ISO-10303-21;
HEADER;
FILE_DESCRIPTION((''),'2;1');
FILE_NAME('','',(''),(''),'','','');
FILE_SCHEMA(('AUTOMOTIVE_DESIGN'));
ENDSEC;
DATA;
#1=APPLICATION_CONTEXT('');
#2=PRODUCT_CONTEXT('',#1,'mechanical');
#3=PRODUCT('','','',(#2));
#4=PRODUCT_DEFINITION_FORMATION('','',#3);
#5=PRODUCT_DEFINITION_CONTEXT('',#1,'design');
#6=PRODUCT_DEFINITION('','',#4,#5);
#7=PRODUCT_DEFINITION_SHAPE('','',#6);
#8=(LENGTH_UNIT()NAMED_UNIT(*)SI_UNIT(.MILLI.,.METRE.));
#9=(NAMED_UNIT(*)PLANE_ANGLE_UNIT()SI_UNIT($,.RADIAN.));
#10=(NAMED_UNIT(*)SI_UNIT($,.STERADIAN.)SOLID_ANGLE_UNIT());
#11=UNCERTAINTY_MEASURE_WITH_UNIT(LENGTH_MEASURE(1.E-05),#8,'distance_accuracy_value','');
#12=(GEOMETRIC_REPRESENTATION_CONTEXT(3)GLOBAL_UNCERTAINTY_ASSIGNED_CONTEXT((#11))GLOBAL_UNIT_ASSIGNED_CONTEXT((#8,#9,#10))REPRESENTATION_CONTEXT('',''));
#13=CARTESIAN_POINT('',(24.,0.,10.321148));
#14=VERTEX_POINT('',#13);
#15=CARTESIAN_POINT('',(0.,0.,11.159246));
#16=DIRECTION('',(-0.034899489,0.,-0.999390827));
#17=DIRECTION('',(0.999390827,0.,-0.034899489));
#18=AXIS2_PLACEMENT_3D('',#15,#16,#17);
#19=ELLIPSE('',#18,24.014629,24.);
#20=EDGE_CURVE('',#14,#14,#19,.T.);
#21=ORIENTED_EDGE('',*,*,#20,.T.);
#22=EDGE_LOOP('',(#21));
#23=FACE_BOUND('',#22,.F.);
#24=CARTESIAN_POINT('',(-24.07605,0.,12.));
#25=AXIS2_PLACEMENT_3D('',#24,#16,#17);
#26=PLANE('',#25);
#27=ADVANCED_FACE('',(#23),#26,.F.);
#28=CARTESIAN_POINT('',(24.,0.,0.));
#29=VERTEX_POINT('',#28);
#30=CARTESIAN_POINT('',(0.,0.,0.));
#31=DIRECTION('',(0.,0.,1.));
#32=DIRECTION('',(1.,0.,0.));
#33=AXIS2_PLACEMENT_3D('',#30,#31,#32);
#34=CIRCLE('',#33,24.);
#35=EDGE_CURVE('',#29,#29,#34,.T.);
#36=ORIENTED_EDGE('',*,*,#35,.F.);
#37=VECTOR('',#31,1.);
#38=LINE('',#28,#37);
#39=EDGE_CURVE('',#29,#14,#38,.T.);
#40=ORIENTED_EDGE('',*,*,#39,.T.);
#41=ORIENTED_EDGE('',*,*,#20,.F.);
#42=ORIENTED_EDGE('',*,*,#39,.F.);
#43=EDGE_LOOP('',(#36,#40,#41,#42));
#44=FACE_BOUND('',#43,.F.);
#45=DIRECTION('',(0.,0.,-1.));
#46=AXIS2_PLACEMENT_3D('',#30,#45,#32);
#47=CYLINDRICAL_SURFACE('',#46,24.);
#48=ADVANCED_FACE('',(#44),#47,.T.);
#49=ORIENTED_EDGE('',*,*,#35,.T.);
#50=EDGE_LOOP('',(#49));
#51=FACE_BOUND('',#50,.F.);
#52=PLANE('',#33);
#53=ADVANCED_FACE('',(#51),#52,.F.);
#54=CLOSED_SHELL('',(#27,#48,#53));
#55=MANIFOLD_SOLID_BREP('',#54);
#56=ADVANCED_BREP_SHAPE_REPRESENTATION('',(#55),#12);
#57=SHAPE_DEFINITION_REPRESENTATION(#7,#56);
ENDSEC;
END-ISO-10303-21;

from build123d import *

# Parameters (mm, degrees)
F0_R     = 24
F1_DEPTH = 12
F3_DEPTH = 300


with BuildPart() as f1:
    # F0 (on Top) → F1 (new body)
    with BuildSketch(Plane.XY):
        Circle(F0_R)
    extrude(amount=F1_DEPTH)

    # F2 (on Front) → F3 (cut, symmetric)
    with BuildSketch(Plane.XZ):
        Polygon((-24.07605, 19.970432), (-24.07605, 12), (31.815085, 10.048239), (38.380776, 17.733987), (21.198329, 19.970432), align=None)
    extrude(amount=F3_DEPTH, both=True, mode=Mode.SUBTRACT)


solid = f1.part
